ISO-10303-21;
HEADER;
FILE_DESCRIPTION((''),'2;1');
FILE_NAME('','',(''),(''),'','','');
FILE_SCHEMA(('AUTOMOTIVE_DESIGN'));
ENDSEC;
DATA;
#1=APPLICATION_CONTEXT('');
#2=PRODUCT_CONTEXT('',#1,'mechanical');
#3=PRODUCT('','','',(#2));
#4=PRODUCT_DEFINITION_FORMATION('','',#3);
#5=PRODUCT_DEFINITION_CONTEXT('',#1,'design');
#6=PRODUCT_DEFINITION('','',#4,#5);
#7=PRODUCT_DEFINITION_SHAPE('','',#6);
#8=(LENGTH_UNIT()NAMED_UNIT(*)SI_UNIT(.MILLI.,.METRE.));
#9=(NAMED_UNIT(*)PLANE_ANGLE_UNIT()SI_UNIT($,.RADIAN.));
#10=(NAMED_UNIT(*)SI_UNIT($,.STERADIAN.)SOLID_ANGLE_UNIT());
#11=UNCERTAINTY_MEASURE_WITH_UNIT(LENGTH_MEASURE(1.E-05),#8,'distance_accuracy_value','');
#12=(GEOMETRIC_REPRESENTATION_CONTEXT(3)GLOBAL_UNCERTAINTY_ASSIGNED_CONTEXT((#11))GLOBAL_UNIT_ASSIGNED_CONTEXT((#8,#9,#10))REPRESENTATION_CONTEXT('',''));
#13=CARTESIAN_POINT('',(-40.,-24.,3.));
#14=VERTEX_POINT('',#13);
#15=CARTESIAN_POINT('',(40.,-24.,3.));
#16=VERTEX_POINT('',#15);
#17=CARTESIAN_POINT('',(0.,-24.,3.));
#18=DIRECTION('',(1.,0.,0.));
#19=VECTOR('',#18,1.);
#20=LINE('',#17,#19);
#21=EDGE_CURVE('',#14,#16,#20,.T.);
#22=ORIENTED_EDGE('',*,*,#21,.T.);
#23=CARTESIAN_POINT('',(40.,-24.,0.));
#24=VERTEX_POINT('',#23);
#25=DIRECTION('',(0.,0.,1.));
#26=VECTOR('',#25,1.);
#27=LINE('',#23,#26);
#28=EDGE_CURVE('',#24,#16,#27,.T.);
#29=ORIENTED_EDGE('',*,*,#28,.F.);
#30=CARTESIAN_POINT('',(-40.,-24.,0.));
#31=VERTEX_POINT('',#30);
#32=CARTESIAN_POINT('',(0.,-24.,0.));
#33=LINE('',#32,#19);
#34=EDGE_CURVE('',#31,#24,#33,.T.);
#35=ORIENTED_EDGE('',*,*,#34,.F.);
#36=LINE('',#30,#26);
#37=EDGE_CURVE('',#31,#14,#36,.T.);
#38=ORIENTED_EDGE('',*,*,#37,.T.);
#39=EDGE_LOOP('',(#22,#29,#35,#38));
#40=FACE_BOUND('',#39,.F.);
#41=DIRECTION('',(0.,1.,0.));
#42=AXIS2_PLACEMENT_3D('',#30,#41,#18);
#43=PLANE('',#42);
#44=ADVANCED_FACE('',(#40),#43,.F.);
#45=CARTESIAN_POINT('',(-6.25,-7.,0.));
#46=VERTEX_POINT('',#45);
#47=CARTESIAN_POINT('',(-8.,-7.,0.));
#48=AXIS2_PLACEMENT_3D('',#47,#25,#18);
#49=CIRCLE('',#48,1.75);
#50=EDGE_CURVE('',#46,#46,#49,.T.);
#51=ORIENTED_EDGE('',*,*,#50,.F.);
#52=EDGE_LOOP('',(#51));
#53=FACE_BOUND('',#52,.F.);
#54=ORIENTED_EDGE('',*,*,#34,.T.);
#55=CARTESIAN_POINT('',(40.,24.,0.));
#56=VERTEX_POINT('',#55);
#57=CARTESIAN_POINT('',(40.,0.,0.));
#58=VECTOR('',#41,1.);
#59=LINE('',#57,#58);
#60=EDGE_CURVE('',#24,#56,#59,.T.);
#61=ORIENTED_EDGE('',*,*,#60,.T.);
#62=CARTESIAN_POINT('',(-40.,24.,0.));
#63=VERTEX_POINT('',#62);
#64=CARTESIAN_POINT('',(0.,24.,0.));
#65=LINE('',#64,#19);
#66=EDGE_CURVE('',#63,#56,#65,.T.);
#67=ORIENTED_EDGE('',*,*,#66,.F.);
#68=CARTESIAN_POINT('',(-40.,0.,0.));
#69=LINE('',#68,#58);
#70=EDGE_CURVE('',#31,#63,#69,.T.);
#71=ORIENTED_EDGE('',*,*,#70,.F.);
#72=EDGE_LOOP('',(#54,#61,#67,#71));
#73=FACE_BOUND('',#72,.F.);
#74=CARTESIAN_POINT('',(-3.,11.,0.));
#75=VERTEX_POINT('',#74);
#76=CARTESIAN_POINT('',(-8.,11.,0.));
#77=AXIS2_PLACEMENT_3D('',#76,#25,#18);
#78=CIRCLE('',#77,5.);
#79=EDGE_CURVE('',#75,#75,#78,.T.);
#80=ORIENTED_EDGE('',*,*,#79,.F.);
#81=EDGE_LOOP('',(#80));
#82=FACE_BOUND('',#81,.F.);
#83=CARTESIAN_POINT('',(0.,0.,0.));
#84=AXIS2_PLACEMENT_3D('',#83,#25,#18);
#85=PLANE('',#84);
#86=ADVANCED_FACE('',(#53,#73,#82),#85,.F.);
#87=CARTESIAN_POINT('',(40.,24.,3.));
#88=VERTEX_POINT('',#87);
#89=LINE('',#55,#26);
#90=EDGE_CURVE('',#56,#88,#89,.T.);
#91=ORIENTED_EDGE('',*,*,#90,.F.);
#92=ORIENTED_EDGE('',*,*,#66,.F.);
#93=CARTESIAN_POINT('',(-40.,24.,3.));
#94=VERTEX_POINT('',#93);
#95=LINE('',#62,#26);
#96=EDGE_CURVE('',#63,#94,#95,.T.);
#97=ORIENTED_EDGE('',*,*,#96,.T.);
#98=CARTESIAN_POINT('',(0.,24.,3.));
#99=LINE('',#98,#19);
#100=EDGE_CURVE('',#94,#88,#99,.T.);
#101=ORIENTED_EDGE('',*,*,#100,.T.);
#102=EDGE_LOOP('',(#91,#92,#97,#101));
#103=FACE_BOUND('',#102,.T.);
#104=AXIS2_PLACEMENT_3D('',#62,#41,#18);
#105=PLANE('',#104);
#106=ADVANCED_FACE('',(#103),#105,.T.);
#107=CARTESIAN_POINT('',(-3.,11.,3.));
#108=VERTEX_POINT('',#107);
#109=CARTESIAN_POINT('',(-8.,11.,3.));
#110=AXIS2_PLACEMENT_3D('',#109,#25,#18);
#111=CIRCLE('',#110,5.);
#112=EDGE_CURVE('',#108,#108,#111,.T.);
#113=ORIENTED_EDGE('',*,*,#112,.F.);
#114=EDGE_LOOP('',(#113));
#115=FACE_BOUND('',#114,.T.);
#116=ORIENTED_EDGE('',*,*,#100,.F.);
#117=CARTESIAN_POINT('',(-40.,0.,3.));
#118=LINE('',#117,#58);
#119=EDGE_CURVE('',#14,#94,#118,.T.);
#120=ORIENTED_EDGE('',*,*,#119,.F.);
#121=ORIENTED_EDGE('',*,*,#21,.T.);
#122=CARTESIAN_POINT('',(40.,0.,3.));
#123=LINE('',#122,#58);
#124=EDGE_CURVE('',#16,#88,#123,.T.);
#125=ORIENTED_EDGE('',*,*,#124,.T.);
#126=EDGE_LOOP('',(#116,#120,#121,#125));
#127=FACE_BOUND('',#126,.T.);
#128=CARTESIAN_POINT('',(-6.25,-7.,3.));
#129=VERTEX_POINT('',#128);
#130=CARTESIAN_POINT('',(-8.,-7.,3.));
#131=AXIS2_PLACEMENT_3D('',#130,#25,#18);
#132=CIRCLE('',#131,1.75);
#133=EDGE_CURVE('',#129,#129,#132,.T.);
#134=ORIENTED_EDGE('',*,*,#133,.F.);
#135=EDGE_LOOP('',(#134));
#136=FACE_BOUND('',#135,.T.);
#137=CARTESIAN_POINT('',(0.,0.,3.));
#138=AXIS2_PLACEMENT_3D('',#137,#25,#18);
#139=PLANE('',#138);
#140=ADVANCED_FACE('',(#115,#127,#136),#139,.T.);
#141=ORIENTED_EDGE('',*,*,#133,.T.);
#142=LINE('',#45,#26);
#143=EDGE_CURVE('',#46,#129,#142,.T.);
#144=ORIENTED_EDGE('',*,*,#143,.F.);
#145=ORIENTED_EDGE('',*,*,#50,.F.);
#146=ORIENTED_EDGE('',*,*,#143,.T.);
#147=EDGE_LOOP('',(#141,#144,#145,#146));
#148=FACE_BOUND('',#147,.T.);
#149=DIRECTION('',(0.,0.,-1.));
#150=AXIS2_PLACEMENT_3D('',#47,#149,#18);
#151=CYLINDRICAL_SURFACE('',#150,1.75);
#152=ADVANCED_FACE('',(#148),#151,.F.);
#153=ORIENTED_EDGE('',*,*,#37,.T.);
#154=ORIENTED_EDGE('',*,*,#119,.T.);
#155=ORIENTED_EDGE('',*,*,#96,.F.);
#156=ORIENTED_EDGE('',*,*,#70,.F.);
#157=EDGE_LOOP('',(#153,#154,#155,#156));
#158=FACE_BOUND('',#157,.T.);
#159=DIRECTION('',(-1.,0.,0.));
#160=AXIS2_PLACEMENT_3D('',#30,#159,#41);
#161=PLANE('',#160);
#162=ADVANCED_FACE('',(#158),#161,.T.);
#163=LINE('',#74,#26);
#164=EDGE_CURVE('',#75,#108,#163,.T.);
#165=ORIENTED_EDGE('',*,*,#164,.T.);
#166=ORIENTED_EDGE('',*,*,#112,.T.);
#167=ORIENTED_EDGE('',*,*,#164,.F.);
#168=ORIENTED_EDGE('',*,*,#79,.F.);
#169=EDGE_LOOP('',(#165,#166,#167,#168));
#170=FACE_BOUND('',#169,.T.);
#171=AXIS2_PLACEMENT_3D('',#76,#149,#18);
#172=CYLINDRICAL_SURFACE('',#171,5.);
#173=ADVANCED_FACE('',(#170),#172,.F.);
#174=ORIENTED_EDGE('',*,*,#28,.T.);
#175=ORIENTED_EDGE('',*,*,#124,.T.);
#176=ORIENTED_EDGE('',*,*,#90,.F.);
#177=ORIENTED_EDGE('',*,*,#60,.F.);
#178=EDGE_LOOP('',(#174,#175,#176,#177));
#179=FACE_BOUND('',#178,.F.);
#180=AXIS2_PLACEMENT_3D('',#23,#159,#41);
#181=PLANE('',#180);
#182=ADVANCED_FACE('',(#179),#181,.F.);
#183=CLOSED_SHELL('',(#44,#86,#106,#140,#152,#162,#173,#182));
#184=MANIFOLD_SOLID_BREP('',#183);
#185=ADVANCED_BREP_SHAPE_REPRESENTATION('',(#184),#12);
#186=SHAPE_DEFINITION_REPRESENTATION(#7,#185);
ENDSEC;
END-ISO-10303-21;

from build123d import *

# Parameters (mm, degrees)
F0_W     = 80
F0_H     = 48
F0_R     = 1.75
F0_R_2   = 5
F1_DEPTH = 3


with BuildPart() as f1:
    # F0 (on Top) → F1 (new body)
    with BuildSketch(Plane.XY):
        Rectangle(F0_W, F0_H)
        with Locations((-8, -7)):
            Circle(F0_R, mode=Mode.SUBTRACT)
        with Locations((-8, 11)):
            Circle(F0_R_2, mode=Mode.SUBTRACT)
    extrude(amount=F1_DEPTH)


solid = f1.part
